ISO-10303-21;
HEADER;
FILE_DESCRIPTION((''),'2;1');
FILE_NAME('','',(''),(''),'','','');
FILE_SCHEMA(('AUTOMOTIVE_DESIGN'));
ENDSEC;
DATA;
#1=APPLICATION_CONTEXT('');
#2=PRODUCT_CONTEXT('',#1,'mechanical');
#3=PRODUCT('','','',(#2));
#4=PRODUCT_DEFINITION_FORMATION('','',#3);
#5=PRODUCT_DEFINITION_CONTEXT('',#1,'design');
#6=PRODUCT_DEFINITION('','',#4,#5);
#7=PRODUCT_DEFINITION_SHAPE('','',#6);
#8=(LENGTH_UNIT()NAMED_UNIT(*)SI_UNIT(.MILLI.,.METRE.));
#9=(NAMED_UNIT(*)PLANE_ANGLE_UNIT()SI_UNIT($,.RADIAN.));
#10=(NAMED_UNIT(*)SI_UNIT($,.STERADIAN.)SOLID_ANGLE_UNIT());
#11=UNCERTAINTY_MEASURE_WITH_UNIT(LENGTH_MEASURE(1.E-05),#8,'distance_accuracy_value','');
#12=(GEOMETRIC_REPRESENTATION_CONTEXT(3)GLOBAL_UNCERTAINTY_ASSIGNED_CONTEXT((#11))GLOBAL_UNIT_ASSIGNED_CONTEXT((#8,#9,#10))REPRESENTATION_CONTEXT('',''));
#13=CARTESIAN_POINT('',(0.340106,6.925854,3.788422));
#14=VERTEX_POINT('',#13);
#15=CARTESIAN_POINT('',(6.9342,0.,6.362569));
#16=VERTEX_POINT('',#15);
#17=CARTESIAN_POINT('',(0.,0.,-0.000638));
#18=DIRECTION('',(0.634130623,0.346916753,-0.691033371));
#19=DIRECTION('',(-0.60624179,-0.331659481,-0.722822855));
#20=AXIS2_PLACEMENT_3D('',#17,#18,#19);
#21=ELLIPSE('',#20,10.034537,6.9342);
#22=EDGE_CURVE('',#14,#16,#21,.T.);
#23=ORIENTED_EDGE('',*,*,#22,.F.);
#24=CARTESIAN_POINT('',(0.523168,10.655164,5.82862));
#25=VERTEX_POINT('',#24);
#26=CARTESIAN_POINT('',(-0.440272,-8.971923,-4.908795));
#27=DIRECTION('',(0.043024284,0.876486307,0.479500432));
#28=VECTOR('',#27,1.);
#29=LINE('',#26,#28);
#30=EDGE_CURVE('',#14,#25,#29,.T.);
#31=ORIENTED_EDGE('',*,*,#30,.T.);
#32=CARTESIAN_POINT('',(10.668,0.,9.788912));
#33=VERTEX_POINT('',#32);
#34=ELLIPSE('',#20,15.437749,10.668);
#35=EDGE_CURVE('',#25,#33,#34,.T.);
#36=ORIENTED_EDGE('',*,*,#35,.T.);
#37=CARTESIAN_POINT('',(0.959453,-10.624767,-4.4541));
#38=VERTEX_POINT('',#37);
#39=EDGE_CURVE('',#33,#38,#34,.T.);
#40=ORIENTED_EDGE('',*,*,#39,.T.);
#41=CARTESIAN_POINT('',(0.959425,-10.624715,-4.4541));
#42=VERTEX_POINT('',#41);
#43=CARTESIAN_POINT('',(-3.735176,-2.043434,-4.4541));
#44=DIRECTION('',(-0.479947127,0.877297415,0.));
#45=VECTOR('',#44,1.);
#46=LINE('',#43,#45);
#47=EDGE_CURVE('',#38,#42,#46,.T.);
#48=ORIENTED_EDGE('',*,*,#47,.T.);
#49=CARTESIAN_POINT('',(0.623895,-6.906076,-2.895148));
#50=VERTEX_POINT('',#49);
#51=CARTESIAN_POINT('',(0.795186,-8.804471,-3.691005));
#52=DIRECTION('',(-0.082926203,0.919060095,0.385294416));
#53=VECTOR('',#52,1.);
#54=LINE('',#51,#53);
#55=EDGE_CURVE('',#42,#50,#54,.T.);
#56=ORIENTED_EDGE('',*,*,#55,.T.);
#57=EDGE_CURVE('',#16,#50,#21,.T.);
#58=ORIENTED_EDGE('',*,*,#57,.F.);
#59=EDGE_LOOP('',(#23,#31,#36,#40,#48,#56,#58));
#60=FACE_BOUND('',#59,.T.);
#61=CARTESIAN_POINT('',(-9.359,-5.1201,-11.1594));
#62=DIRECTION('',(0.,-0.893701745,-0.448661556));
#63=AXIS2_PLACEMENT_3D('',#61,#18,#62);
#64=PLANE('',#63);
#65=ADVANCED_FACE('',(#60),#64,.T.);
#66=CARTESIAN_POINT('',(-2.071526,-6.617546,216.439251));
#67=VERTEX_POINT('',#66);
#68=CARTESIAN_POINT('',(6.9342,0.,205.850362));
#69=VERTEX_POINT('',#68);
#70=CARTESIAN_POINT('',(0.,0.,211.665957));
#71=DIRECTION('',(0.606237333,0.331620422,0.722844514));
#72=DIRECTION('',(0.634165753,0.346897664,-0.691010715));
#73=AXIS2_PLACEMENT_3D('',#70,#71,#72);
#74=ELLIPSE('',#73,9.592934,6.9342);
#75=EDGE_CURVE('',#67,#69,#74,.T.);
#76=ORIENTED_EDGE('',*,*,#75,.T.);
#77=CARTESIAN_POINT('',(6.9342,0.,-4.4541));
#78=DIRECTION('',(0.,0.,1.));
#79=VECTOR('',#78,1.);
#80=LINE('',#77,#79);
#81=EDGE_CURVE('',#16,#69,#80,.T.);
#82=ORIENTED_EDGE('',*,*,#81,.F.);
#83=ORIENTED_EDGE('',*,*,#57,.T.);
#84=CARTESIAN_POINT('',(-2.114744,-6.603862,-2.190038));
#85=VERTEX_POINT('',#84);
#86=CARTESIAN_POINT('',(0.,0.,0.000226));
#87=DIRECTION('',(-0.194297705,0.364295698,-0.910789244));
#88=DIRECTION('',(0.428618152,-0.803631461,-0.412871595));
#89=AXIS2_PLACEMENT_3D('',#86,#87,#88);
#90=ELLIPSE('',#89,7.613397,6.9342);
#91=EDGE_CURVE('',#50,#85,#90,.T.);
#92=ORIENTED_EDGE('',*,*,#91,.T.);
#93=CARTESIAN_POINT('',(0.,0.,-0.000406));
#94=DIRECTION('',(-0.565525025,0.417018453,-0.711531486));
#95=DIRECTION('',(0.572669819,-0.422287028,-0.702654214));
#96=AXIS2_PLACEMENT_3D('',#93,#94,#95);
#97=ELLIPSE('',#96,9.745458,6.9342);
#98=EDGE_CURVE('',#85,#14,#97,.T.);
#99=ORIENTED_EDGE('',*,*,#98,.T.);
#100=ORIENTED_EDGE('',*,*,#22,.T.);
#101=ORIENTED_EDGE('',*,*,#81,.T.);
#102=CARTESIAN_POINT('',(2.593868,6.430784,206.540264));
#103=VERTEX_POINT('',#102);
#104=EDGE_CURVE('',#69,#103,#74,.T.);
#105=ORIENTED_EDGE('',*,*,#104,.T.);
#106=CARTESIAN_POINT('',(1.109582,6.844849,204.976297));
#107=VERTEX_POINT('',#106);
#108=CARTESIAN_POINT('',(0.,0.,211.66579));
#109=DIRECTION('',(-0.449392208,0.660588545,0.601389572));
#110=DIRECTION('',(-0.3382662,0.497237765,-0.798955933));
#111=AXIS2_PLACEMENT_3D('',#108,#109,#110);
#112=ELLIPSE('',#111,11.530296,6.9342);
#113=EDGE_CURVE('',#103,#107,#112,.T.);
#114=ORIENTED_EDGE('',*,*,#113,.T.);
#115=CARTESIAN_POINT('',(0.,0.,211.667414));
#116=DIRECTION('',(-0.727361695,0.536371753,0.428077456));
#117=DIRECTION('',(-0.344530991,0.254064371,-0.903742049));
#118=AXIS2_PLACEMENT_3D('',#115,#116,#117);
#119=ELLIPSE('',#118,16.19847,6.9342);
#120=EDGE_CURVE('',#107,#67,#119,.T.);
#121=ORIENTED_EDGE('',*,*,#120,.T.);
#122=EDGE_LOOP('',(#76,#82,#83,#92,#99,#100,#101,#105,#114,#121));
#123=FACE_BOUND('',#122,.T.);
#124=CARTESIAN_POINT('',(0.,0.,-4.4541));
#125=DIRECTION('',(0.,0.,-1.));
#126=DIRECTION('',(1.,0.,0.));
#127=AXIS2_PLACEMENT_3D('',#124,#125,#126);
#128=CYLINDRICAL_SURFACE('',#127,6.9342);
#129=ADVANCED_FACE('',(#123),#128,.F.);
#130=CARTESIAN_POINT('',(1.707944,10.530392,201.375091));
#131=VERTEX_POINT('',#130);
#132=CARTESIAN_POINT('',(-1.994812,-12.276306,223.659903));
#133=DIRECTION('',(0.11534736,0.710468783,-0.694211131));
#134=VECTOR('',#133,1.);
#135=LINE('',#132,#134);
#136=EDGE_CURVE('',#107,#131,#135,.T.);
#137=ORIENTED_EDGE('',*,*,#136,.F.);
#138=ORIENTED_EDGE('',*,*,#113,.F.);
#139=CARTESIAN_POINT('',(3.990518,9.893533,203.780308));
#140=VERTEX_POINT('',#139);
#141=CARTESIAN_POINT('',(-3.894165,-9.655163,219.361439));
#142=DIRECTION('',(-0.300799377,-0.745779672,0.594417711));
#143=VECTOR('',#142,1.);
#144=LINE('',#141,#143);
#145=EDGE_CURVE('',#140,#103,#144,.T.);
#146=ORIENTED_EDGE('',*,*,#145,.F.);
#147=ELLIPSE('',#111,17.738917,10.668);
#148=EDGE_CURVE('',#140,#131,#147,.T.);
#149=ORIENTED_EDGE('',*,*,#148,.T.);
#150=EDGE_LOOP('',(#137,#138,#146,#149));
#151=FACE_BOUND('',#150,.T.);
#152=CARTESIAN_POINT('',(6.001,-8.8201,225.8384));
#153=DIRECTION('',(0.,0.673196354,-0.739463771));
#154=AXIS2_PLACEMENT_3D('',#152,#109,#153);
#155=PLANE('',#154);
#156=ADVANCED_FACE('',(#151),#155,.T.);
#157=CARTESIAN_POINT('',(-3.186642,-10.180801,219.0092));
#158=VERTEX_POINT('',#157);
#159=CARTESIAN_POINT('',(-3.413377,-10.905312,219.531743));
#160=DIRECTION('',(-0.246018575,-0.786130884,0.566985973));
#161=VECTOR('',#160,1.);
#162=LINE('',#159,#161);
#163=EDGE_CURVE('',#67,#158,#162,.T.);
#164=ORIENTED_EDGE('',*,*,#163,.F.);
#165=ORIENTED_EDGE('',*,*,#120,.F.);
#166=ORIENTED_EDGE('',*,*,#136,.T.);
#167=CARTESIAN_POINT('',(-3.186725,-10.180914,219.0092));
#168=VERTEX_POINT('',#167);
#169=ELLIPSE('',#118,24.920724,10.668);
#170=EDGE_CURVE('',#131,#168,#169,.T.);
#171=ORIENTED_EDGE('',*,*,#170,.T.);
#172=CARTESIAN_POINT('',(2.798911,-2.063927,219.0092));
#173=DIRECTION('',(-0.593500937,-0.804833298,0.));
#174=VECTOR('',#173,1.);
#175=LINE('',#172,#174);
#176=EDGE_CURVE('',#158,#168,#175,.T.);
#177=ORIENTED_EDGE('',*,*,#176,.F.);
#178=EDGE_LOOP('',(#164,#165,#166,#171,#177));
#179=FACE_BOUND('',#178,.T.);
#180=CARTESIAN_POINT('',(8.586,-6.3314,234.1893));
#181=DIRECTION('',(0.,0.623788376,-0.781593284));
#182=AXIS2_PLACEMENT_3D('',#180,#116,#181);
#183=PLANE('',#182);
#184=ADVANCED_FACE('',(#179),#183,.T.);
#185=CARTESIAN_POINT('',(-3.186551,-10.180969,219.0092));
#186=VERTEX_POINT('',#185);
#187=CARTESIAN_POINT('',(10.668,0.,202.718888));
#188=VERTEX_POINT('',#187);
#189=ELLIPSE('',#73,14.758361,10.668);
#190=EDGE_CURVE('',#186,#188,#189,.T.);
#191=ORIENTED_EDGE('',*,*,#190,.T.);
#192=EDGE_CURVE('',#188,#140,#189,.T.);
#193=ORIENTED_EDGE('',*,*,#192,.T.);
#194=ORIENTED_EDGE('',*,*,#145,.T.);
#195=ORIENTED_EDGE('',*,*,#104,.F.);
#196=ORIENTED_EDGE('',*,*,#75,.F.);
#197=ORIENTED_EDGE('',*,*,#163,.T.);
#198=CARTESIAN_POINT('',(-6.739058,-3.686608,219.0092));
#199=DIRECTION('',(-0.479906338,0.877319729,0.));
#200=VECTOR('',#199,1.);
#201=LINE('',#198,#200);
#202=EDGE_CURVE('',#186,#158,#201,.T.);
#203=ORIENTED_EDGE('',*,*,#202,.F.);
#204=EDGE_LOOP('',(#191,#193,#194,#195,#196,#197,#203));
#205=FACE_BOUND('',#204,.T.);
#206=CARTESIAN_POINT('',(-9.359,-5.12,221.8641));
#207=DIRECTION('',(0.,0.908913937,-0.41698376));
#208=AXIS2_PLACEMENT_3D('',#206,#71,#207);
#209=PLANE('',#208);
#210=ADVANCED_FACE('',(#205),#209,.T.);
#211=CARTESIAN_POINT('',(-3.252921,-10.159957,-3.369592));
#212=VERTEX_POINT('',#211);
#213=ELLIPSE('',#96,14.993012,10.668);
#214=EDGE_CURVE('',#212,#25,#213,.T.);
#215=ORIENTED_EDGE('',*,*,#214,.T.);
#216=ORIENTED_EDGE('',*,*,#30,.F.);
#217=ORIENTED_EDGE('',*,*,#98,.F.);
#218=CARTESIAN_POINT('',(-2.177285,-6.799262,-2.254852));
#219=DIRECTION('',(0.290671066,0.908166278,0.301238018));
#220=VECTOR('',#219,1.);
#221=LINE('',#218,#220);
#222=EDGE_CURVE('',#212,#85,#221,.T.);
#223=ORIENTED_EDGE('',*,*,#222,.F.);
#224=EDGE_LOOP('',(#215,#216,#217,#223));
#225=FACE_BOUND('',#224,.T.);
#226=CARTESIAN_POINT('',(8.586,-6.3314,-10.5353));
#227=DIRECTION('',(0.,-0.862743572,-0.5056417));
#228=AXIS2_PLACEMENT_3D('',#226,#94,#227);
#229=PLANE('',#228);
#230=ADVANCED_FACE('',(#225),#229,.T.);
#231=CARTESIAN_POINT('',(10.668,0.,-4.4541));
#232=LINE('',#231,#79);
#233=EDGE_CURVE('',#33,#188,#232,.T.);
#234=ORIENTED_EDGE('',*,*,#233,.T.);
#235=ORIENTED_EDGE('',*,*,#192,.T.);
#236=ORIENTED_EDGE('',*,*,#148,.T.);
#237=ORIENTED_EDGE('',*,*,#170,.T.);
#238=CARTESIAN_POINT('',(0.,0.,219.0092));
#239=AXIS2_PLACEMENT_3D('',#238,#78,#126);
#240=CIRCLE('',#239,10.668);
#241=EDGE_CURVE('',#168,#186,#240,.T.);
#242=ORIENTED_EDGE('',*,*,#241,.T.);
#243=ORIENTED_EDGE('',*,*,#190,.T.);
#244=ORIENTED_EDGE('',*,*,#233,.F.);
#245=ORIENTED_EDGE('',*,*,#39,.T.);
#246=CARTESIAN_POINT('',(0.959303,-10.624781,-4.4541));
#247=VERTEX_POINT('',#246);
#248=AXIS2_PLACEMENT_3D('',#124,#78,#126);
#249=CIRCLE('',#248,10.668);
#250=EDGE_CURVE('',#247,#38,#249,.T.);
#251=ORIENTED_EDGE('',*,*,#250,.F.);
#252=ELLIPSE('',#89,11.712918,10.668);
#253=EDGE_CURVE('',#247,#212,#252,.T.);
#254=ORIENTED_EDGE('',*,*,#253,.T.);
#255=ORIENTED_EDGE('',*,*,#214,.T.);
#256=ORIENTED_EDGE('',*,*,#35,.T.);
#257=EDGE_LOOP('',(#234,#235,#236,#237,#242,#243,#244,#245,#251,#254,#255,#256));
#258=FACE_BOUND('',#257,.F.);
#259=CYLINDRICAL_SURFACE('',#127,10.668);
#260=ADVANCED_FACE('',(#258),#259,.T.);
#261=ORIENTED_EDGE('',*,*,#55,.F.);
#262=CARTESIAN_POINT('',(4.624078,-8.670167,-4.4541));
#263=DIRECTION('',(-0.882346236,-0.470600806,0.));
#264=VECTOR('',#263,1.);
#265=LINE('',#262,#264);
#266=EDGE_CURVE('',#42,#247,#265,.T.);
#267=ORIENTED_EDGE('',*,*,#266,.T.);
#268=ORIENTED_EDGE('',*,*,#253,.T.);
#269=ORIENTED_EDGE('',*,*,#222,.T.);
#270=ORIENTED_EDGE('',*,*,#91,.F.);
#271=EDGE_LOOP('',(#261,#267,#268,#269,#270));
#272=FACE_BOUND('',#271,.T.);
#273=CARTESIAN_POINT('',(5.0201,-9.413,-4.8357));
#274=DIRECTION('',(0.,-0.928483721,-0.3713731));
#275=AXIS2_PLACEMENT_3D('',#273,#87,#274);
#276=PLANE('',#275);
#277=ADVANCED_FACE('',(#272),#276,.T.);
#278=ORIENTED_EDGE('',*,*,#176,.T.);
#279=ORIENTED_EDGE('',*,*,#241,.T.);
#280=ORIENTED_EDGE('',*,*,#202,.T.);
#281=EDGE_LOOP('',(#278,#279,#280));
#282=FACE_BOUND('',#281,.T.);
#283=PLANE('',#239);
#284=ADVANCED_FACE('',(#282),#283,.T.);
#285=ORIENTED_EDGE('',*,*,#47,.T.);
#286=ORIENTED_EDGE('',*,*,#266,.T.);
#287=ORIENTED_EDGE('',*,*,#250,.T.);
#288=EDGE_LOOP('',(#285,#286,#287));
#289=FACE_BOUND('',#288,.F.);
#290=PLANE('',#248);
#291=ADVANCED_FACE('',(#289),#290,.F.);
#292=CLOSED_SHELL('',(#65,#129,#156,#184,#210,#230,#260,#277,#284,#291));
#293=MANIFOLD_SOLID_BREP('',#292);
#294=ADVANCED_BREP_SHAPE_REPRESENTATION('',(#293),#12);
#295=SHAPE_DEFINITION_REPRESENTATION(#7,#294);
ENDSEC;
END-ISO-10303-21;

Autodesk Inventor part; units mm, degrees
ref_plane "Start Plane" through (0, 0, -4.4541) normal (0, 0, 1) x (1, 0, 0)
ref_plane "End Plane" through (0, 0, 219.0092) normal (0, 0, 1) x (1, 0, 0)
sketch "Sketch" plane through (0, 0, 0) normal (0, 0, 1) x (1, 0, 0)
  circle A0 centre (0, 0) radius 6.9342
  circle A1 centre (0, 0) radius 10.668
  dimension "d0" = 21.336
  dimension "d1" = 3.7338
extrude "Body" add sketch "Sketch" along normal up to surface (223.4633 mm away) from surface at -4.4541
sketch "Sketch3" plane through (0, 0, 0) normal (0, 0, 1) x (1, 0, 0)
  line L0 (0, 0) -> (10, 0)
ref_plane "Work Plane3" through (0, 0, 0) normal (0, -1, 0) x (1, 0, 0)
sketch "Sketch4" plane through (0, 0, 0) normal (0, -1, 0) x (1, 0, 0)
  line L0 (-2, -4.4541) -> (12, -4.4541)
  line L1 (-2, 219.0092) -> (12, 219.0092)
  dimension "d7" = 223.4633
ref_plane "Work Plane4" through (-9.359, -5.1201, -11.1594) normal (0.6341, 0.3469, -0.691) x (-0.3015, -0.712, -0.6341)
split "Split1" plane through (-9.359, -5.1201, -11.1594) removes the side toward (0.6341, 0.3469, -0.691)
ref_plane "Work Plane5" through (5.0201, -9.413, -4.8357) normal (-0.1943, 0.3643, -0.9108) x (0.5769, 0.7934, 0.1943)
split "Split2" plane through (5.0201, -9.413, -4.8357) removes the side toward (-0.1943, 0.3643, -0.9108)
ref_plane "Work Plane6" through (8.586, -6.3314, -10.5353) normal (-0.5655, 0.417, -0.7115) x (-0.1087, 0.8175, 0.5655)
split "Split3" plane through (8.586, -6.3314, -10.5353) removes the side toward (-0.5655, 0.417, -0.7115)
ref_plane "Work Plane7" through (-9.359, -5.12, 221.8641) normal (0.6062, 0.3316, 0.7228) x (0.7867, -0.1167, -0.6062)
split "Split4" plane through (-9.359, -5.12, 221.8641) removes the side toward (0.6062, 0.3316, 0.7228)
ref_plane "Work Plane8" through (8.586, -6.3314, 234.1893) normal (-0.7274, 0.5364, 0.4281) x (0.6295, 0.2732, 0.7274)
split "Split5" plane through (8.586, -6.3314, 234.1893) removes the side toward (-0.7274, 0.5364, 0.4281)
ref_plane "Work Plane9" through (6.001, -8.8201, 225.8384) normal (-0.4494, 0.6606, 0.6014) x (0.8739, 0.1854, 0.4494)
split "Split6" plane through (6.001, -8.8201, 225.8384) removes the side toward (-0.4494, 0.6606, 0.6014)
equation "\"d0\" = G_H"
equation "\"d1\" = G_T"
equation "\"d2\" = G_L"
equation "\"G_H\" = 21.336"
equation "\"G_T\" = 3.7338"
equation "\"G_L\" = 223.46333"
equation "\"G_OFFSET_START\" = 4.45413"
equation "\"G_OFFSET_END\" = 7.34335"
equation "\"d4\" = -G_OFFSET_START"
equation "\"d5\" = G_OFFSET_END + B_L"
equation "\"B_L\" = 211.66585"
properties part number "ANSI - 1/2 x 0.147 - 8.798" material "Steel, Mild"
